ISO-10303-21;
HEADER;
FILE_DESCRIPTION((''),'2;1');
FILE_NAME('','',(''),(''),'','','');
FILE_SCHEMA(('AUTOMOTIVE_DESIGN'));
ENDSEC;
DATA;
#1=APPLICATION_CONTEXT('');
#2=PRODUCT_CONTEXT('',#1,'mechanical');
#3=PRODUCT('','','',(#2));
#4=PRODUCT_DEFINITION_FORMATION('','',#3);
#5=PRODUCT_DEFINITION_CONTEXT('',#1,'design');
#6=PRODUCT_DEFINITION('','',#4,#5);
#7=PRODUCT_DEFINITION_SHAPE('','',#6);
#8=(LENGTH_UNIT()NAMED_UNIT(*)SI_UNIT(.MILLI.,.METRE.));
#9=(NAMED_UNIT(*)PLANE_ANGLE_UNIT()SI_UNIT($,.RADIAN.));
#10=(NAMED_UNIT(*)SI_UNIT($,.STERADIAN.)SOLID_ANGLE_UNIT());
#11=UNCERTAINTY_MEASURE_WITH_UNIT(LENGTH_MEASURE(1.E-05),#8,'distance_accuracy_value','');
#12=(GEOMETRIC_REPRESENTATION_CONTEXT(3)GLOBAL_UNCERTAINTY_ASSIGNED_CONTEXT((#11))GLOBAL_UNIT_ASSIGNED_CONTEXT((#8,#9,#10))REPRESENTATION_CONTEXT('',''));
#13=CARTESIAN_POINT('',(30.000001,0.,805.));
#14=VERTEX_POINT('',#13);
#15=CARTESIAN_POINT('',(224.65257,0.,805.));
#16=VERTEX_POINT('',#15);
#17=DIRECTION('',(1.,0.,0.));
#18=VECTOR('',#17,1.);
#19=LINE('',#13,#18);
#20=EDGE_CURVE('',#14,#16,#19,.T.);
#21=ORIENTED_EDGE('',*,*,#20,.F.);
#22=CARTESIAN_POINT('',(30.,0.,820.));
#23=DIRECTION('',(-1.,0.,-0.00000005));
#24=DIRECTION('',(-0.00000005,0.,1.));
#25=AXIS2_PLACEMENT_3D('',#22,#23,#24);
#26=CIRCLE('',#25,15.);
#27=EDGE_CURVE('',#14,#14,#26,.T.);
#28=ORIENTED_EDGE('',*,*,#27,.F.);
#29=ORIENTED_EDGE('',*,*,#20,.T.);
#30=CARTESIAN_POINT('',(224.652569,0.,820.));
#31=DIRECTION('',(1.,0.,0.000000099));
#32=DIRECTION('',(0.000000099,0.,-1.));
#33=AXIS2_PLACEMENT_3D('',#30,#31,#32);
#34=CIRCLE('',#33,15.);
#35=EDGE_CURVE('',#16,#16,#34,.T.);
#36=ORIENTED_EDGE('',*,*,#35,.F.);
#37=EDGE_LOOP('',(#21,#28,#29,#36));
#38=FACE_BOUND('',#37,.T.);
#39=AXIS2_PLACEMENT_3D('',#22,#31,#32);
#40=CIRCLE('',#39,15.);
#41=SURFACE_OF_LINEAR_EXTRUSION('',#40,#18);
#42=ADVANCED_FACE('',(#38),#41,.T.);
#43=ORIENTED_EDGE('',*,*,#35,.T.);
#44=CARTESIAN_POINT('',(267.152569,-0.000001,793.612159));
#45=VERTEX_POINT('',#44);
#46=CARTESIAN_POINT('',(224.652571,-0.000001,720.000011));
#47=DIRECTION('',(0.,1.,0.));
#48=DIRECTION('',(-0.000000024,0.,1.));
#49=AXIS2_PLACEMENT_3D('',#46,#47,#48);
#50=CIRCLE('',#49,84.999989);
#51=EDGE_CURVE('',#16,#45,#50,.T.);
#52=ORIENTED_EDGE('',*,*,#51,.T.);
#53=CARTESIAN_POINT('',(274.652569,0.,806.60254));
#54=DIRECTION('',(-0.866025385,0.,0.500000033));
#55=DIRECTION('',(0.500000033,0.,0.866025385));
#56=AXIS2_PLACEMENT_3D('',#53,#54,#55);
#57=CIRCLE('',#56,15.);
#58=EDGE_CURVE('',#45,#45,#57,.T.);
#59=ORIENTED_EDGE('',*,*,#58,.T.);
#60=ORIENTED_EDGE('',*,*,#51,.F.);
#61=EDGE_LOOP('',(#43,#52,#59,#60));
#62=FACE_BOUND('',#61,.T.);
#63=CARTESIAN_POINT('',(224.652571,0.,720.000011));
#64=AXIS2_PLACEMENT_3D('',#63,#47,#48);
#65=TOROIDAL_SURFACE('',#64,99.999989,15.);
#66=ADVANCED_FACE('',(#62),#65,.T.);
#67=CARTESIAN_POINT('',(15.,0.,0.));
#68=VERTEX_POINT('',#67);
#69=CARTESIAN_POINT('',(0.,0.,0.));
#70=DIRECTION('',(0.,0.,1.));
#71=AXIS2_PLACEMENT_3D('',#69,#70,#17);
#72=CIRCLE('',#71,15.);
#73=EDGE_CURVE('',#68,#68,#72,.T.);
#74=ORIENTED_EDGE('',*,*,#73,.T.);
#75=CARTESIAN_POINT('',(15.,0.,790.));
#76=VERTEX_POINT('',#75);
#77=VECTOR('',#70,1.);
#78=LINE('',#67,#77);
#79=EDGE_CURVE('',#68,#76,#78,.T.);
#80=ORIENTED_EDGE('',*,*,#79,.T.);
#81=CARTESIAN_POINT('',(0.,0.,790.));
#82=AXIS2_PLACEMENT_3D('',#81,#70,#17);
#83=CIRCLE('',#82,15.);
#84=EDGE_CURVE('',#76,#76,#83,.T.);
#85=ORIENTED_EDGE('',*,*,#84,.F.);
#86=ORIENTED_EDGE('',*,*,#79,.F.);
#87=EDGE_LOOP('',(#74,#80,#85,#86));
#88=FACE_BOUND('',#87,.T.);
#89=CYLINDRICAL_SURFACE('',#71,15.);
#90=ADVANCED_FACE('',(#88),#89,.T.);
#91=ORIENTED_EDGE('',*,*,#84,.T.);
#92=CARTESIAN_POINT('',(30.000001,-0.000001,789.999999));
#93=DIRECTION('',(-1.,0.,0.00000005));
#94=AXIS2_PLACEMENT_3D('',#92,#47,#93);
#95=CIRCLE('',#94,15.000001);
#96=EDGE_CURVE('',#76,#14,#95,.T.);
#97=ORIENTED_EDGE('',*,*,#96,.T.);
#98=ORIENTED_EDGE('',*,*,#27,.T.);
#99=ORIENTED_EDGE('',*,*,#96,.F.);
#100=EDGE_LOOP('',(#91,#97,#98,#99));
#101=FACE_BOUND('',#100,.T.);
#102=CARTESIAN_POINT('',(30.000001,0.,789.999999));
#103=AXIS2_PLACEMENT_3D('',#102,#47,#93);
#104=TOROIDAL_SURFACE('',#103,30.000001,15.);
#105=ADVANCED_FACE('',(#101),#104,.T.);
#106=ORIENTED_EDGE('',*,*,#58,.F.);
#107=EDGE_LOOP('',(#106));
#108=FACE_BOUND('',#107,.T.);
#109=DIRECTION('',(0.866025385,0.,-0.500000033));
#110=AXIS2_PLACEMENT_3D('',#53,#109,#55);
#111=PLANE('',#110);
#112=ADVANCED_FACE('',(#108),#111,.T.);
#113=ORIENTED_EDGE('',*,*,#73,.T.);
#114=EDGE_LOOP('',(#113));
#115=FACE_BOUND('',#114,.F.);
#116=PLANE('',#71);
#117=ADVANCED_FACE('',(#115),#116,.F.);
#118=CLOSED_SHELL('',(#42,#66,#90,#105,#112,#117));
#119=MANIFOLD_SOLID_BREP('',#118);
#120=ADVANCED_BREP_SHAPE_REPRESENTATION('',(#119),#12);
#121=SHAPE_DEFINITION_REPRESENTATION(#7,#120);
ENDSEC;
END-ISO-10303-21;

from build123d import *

# Parameters (mm, degrees)
F1_R = 15


with BuildPart() as f2:
    # F2: sweep along a path in F0
    with BuildLine(Plane.XZ) as f2_path:
        Line((0, 0), (0, 790))
        ThreePointArc((0, 790), (8.786797, 811.213203), (30, 820))
        Line((30, 820), (224.652569, 820))
        ThreePointArc((224.652569, 820), (250.534473, 816.592583), (274.652569, 806.60254))
    # F1 (on Top) → F2 (sweep)
    with BuildSketch(Plane.XY):
        Circle(F1_R)
    sweep(path=f2_path.line)


solid = f2.part
